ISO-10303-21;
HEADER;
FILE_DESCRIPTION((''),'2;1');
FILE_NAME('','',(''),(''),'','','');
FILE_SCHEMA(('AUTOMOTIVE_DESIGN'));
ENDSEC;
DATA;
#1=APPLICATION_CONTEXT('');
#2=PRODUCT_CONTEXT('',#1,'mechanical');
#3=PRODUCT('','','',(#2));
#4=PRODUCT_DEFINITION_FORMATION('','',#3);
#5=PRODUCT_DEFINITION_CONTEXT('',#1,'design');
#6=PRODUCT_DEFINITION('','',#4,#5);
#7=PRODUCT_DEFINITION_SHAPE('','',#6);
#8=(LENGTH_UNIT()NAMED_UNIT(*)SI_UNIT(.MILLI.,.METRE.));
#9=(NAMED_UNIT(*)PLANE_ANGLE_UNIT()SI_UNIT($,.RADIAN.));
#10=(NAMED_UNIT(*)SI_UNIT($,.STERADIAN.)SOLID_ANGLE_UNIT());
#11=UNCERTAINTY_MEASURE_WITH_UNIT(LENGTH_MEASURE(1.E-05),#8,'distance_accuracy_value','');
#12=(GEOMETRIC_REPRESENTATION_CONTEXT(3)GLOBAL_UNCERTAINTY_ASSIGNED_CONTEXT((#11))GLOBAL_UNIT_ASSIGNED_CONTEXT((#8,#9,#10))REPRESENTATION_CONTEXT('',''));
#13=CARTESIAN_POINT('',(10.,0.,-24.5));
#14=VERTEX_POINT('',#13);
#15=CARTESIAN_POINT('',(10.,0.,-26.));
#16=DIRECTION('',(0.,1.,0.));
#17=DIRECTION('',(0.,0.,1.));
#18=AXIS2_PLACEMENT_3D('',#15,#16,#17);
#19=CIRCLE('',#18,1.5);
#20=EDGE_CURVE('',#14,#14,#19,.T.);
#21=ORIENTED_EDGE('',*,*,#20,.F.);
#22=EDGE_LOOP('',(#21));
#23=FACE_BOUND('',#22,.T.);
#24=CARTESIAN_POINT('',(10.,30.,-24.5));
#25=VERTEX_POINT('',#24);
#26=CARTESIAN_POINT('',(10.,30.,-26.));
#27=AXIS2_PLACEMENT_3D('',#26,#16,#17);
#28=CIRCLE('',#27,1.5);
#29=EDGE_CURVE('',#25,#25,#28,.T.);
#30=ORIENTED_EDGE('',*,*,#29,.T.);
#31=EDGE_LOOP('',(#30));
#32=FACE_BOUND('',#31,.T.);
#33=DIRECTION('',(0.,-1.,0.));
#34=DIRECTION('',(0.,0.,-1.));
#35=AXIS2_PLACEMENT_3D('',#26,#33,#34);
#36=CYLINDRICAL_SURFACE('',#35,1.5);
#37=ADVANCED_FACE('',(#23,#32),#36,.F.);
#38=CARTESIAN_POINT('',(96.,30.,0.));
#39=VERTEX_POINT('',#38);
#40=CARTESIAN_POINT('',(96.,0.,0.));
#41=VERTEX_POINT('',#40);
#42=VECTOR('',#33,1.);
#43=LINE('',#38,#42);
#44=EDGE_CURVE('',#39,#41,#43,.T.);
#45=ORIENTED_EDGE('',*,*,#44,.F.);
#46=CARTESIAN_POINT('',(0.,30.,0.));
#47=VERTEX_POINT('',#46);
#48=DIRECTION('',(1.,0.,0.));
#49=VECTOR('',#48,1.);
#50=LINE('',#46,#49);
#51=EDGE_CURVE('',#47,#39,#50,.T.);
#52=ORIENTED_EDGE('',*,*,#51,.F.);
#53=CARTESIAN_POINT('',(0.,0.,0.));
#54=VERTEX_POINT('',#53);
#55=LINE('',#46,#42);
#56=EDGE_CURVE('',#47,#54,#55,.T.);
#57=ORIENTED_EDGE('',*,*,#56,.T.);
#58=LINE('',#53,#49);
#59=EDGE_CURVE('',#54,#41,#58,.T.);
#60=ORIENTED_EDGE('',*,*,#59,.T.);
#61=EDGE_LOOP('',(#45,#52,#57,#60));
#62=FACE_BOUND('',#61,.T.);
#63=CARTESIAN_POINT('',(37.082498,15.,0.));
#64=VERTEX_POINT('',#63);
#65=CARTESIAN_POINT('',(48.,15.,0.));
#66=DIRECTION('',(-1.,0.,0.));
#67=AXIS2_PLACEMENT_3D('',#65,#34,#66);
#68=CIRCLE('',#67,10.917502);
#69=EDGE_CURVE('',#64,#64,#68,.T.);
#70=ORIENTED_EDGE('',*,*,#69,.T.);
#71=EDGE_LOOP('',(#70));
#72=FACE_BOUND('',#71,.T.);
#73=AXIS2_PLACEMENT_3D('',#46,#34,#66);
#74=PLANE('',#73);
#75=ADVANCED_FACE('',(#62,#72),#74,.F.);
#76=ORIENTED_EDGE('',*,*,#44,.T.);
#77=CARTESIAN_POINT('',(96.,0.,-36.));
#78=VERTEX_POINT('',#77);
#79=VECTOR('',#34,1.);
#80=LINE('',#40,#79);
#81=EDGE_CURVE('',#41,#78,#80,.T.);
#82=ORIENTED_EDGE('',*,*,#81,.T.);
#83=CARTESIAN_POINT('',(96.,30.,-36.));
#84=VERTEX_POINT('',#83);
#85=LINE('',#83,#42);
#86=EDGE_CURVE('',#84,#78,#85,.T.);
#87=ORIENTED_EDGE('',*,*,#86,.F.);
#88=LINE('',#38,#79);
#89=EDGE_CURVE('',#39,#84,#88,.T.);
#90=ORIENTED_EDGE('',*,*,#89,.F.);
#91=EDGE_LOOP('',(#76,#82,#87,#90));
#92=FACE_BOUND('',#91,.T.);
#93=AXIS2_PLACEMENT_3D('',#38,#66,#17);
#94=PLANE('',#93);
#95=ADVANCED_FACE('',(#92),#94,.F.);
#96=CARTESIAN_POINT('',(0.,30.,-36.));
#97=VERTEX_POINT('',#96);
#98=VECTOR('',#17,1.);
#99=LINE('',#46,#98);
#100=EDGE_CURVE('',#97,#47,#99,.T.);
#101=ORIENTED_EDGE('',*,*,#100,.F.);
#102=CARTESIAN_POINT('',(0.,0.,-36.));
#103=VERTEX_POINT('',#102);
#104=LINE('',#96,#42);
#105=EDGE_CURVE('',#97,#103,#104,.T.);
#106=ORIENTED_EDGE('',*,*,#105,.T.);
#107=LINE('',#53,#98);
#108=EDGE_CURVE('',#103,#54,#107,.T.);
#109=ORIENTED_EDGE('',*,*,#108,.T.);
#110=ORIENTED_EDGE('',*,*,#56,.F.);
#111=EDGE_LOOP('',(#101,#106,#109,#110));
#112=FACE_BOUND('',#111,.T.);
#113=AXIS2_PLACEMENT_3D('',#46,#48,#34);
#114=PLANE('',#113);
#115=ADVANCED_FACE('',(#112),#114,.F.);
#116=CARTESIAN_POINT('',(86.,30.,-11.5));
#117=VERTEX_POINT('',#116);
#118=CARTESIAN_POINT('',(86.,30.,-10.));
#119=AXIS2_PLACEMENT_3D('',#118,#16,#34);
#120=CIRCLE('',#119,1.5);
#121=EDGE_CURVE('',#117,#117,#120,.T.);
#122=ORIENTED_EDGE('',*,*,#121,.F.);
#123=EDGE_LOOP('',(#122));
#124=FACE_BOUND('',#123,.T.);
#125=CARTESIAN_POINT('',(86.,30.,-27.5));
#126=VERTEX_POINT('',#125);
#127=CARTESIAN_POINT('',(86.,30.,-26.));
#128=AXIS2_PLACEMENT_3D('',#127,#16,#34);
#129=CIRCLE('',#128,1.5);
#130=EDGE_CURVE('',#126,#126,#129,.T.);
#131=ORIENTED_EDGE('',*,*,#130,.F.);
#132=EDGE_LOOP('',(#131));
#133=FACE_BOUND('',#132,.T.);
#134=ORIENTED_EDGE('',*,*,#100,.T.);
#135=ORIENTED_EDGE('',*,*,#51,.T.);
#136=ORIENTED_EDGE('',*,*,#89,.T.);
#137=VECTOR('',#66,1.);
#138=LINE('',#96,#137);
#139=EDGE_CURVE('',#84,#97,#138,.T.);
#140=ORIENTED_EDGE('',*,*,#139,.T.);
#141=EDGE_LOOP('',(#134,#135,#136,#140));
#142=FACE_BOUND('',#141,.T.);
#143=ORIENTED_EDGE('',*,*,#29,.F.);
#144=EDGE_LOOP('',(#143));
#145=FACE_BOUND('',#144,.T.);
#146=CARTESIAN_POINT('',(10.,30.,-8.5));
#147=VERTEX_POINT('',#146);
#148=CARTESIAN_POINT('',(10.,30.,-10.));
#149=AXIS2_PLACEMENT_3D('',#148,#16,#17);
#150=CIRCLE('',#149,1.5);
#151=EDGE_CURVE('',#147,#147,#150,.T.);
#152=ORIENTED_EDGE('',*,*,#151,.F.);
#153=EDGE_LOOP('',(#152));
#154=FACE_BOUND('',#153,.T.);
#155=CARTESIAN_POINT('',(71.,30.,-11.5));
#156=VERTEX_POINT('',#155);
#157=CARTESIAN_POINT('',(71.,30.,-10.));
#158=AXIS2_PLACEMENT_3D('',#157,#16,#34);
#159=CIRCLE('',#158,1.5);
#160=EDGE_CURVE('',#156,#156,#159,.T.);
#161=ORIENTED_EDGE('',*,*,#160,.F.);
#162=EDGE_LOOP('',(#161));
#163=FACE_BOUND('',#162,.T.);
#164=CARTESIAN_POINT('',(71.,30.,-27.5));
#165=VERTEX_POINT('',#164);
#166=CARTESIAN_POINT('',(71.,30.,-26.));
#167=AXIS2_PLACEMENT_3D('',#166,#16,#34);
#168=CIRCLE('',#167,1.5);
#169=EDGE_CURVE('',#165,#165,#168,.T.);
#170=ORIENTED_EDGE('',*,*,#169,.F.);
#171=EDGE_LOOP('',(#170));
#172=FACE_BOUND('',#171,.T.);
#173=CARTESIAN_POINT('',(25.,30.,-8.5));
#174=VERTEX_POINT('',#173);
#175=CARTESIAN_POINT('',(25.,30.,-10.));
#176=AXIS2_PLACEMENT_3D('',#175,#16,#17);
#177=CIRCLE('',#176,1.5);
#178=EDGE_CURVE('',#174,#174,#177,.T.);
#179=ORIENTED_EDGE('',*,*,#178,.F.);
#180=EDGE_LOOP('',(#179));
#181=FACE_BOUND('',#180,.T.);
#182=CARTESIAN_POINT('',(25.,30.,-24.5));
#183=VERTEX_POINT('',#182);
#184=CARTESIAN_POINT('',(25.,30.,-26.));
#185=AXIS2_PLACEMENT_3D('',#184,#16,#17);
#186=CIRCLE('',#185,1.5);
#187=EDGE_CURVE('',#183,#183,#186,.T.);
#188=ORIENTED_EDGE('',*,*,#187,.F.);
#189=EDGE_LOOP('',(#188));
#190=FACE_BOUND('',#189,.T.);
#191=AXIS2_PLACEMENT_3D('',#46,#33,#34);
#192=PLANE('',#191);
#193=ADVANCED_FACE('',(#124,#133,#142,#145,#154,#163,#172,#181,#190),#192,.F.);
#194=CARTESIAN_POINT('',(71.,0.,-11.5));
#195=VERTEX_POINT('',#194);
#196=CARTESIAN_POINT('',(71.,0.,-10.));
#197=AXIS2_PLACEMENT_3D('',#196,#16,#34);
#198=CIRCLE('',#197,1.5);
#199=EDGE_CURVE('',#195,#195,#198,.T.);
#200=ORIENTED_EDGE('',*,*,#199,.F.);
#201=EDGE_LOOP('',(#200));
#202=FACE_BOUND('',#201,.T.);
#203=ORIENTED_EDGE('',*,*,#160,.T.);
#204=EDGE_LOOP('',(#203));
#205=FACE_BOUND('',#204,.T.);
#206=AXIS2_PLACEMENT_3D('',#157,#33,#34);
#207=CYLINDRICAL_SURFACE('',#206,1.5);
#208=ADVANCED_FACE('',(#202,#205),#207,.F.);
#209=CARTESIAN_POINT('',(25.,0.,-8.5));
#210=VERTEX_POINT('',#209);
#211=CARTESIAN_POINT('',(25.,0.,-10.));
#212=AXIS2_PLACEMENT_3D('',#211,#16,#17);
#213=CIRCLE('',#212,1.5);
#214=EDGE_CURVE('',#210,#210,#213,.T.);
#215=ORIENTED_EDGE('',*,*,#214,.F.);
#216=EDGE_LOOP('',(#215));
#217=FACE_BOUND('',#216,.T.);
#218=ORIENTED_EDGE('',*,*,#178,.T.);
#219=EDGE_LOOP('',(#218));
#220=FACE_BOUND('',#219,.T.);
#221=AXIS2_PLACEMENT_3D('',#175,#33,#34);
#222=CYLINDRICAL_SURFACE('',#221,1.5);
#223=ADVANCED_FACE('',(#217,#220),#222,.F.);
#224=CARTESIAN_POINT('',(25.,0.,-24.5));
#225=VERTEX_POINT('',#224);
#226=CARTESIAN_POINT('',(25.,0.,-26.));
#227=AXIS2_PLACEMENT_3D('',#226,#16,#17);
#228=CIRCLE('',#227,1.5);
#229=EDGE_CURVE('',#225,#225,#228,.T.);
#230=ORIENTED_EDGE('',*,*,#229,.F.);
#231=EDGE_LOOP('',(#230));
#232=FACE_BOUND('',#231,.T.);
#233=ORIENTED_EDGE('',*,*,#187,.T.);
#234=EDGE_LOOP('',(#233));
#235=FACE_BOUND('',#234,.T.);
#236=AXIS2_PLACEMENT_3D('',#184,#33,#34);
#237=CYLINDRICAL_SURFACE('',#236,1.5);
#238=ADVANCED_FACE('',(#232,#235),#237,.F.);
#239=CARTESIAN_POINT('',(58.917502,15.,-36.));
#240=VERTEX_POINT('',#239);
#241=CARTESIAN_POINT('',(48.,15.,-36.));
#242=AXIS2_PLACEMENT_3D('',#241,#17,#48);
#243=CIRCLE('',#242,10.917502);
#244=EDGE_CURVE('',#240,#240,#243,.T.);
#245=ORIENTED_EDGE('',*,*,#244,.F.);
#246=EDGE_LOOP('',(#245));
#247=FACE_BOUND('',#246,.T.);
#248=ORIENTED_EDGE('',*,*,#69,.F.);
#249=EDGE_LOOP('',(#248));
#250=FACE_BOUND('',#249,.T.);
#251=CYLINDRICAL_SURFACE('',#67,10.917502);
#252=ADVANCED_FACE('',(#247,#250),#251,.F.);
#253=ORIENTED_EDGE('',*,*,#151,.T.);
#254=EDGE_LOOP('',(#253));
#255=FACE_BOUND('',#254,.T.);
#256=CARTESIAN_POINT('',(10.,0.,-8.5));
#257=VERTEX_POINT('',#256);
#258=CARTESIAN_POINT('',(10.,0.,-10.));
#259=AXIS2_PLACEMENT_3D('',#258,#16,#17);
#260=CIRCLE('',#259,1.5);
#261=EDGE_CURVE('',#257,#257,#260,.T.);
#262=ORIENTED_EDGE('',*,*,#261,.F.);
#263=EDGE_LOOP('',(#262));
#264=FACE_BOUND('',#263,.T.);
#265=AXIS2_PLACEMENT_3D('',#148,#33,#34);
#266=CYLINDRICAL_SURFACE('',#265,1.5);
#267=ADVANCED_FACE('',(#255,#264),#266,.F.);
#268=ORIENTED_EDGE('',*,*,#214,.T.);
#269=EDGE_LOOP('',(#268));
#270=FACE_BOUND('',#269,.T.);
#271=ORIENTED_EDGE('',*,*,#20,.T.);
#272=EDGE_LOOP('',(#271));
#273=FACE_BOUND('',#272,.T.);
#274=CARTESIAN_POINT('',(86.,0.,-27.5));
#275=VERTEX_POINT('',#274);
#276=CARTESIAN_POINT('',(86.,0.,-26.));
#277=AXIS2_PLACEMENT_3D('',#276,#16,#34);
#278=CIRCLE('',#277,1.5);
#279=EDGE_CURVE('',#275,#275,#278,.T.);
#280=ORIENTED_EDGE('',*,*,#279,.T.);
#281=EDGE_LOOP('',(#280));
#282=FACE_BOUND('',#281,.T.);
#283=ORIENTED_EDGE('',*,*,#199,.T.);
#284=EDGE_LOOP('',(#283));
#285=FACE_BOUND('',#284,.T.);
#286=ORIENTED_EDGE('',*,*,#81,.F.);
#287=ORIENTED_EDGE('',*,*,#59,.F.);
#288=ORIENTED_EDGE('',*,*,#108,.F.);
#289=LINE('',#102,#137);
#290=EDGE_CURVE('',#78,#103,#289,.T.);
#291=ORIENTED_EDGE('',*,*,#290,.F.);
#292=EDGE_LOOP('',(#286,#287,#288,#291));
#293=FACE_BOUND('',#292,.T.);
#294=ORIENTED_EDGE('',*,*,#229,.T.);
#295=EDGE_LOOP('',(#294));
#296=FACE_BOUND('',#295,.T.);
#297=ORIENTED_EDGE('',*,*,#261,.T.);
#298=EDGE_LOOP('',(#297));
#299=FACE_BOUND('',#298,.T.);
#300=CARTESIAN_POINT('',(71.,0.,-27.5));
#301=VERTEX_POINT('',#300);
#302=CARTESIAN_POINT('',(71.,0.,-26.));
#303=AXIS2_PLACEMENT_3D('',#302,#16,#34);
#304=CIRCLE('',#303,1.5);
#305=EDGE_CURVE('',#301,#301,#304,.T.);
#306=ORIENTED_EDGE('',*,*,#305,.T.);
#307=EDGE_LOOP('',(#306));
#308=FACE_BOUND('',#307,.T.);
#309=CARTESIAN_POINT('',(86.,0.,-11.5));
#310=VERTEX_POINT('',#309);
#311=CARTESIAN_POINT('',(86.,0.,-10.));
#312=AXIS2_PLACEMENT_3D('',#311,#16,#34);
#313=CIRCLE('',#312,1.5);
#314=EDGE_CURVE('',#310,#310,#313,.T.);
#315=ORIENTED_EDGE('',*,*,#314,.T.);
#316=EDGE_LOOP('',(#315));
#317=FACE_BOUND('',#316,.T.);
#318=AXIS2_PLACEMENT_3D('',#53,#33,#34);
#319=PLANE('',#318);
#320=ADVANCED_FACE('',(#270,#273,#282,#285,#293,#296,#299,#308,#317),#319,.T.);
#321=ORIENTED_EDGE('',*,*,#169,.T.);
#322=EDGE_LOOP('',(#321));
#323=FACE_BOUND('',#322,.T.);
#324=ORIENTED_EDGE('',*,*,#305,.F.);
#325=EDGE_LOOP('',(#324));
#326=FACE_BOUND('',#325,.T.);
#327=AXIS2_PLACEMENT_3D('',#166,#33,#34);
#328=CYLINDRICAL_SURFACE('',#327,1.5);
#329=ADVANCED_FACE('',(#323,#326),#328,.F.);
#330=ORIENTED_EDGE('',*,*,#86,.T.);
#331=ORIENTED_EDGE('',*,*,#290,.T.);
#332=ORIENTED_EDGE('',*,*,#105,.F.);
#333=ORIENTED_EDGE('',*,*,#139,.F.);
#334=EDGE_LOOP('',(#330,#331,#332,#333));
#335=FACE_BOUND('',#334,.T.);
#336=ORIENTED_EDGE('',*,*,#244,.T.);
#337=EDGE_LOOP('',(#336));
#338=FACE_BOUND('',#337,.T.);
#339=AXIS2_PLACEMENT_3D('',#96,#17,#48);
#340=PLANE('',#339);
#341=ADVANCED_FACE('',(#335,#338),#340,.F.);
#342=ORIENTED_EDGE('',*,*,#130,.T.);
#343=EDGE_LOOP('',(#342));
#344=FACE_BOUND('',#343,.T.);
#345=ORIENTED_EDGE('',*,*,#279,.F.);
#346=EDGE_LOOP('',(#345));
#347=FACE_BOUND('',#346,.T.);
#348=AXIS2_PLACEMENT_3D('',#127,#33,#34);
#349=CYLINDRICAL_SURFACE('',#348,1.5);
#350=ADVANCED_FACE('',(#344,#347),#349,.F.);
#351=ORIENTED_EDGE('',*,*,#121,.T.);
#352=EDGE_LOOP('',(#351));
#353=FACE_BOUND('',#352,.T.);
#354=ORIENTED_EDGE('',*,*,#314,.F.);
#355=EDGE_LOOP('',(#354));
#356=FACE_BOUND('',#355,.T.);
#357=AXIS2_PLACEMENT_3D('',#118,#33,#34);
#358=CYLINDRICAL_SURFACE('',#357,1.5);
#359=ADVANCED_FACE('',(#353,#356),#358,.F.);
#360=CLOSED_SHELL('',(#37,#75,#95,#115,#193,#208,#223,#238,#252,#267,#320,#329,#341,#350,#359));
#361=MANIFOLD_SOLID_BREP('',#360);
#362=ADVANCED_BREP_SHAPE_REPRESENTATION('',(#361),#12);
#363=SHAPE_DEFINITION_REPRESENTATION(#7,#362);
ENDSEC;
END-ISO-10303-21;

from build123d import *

# Parameters (mm, degrees)
SKETCH_1_W               = 96
SKETCH_1_H               = 36
SKETCH_1_R               = 1.5
EXTRUDE_1_DEPTH          = 30
CUT_EXTRUDE_1_DEPTH      = 107.826962889
CUT_EXTRUDE_1_DEPTH_BACK = 107.826962889
SKETCH_2_R               = 10.917502173


with BuildPart() as part:
    # 草图1 → 凸台-拉伸1 (new body)
    with BuildSketch(Plane(origin=(0, 0, 0), x_dir=(1, 0, 0), z_dir=(0, 1, 0))):
        with Locations((48, 18)):
            Rectangle(SKETCH_1_W, SKETCH_1_H)
        with Locations(Location((10, 26, 0), (0, 0, 270))):
            Circle(SKETCH_1_R, mode=Mode.SUBTRACT)
        with Locations(Location((25, 26, 0), (0, 0, 270))):
            Circle(SKETCH_1_R, mode=Mode.SUBTRACT)
        with Locations(Location((25, 10, 0), (0, 0, 270))):
            Circle(SKETCH_1_R, mode=Mode.SUBTRACT)
        with Locations(Location((10, 10, 0), (0, 0, 270))):
            Circle(SKETCH_1_R, mode=Mode.SUBTRACT)
        with Locations(Location((86, 26, 0), (0, 0, 90))):
            Circle(SKETCH_1_R, mode=Mode.SUBTRACT)
        with Locations(Location((86, 10, 0), (0, 0, 90))):
            Circle(SKETCH_1_R, mode=Mode.SUBTRACT)
        with Locations(Location((71, 10, 0), (0, 0, 90))):
            Circle(SKETCH_1_R, mode=Mode.SUBTRACT)
        with Locations(Location((71, 26, 0), (0, 0, 90))):
            Circle(SKETCH_1_R, mode=Mode.SUBTRACT)
    extrude(amount=EXTRUDE_1_DEPTH)

    # 草图2 → 切除-拉伸1 (cut, two sides: drawn at the far end of the back side and taken through both)
    with BuildSketch(Plane(origin=(0, 0, -36), x_dir=(-1, 0, 0), z_dir=(0, 0, -1)).offset(-CUT_EXTRUDE_1_DEPTH_BACK)):
        with Locations((-48, 15)):
            Circle(SKETCH_2_R)
    extrude(amount=CUT_EXTRUDE_1_DEPTH + CUT_EXTRUDE_1_DEPTH_BACK, mode=Mode.SUBTRACT)


solid = part.part
